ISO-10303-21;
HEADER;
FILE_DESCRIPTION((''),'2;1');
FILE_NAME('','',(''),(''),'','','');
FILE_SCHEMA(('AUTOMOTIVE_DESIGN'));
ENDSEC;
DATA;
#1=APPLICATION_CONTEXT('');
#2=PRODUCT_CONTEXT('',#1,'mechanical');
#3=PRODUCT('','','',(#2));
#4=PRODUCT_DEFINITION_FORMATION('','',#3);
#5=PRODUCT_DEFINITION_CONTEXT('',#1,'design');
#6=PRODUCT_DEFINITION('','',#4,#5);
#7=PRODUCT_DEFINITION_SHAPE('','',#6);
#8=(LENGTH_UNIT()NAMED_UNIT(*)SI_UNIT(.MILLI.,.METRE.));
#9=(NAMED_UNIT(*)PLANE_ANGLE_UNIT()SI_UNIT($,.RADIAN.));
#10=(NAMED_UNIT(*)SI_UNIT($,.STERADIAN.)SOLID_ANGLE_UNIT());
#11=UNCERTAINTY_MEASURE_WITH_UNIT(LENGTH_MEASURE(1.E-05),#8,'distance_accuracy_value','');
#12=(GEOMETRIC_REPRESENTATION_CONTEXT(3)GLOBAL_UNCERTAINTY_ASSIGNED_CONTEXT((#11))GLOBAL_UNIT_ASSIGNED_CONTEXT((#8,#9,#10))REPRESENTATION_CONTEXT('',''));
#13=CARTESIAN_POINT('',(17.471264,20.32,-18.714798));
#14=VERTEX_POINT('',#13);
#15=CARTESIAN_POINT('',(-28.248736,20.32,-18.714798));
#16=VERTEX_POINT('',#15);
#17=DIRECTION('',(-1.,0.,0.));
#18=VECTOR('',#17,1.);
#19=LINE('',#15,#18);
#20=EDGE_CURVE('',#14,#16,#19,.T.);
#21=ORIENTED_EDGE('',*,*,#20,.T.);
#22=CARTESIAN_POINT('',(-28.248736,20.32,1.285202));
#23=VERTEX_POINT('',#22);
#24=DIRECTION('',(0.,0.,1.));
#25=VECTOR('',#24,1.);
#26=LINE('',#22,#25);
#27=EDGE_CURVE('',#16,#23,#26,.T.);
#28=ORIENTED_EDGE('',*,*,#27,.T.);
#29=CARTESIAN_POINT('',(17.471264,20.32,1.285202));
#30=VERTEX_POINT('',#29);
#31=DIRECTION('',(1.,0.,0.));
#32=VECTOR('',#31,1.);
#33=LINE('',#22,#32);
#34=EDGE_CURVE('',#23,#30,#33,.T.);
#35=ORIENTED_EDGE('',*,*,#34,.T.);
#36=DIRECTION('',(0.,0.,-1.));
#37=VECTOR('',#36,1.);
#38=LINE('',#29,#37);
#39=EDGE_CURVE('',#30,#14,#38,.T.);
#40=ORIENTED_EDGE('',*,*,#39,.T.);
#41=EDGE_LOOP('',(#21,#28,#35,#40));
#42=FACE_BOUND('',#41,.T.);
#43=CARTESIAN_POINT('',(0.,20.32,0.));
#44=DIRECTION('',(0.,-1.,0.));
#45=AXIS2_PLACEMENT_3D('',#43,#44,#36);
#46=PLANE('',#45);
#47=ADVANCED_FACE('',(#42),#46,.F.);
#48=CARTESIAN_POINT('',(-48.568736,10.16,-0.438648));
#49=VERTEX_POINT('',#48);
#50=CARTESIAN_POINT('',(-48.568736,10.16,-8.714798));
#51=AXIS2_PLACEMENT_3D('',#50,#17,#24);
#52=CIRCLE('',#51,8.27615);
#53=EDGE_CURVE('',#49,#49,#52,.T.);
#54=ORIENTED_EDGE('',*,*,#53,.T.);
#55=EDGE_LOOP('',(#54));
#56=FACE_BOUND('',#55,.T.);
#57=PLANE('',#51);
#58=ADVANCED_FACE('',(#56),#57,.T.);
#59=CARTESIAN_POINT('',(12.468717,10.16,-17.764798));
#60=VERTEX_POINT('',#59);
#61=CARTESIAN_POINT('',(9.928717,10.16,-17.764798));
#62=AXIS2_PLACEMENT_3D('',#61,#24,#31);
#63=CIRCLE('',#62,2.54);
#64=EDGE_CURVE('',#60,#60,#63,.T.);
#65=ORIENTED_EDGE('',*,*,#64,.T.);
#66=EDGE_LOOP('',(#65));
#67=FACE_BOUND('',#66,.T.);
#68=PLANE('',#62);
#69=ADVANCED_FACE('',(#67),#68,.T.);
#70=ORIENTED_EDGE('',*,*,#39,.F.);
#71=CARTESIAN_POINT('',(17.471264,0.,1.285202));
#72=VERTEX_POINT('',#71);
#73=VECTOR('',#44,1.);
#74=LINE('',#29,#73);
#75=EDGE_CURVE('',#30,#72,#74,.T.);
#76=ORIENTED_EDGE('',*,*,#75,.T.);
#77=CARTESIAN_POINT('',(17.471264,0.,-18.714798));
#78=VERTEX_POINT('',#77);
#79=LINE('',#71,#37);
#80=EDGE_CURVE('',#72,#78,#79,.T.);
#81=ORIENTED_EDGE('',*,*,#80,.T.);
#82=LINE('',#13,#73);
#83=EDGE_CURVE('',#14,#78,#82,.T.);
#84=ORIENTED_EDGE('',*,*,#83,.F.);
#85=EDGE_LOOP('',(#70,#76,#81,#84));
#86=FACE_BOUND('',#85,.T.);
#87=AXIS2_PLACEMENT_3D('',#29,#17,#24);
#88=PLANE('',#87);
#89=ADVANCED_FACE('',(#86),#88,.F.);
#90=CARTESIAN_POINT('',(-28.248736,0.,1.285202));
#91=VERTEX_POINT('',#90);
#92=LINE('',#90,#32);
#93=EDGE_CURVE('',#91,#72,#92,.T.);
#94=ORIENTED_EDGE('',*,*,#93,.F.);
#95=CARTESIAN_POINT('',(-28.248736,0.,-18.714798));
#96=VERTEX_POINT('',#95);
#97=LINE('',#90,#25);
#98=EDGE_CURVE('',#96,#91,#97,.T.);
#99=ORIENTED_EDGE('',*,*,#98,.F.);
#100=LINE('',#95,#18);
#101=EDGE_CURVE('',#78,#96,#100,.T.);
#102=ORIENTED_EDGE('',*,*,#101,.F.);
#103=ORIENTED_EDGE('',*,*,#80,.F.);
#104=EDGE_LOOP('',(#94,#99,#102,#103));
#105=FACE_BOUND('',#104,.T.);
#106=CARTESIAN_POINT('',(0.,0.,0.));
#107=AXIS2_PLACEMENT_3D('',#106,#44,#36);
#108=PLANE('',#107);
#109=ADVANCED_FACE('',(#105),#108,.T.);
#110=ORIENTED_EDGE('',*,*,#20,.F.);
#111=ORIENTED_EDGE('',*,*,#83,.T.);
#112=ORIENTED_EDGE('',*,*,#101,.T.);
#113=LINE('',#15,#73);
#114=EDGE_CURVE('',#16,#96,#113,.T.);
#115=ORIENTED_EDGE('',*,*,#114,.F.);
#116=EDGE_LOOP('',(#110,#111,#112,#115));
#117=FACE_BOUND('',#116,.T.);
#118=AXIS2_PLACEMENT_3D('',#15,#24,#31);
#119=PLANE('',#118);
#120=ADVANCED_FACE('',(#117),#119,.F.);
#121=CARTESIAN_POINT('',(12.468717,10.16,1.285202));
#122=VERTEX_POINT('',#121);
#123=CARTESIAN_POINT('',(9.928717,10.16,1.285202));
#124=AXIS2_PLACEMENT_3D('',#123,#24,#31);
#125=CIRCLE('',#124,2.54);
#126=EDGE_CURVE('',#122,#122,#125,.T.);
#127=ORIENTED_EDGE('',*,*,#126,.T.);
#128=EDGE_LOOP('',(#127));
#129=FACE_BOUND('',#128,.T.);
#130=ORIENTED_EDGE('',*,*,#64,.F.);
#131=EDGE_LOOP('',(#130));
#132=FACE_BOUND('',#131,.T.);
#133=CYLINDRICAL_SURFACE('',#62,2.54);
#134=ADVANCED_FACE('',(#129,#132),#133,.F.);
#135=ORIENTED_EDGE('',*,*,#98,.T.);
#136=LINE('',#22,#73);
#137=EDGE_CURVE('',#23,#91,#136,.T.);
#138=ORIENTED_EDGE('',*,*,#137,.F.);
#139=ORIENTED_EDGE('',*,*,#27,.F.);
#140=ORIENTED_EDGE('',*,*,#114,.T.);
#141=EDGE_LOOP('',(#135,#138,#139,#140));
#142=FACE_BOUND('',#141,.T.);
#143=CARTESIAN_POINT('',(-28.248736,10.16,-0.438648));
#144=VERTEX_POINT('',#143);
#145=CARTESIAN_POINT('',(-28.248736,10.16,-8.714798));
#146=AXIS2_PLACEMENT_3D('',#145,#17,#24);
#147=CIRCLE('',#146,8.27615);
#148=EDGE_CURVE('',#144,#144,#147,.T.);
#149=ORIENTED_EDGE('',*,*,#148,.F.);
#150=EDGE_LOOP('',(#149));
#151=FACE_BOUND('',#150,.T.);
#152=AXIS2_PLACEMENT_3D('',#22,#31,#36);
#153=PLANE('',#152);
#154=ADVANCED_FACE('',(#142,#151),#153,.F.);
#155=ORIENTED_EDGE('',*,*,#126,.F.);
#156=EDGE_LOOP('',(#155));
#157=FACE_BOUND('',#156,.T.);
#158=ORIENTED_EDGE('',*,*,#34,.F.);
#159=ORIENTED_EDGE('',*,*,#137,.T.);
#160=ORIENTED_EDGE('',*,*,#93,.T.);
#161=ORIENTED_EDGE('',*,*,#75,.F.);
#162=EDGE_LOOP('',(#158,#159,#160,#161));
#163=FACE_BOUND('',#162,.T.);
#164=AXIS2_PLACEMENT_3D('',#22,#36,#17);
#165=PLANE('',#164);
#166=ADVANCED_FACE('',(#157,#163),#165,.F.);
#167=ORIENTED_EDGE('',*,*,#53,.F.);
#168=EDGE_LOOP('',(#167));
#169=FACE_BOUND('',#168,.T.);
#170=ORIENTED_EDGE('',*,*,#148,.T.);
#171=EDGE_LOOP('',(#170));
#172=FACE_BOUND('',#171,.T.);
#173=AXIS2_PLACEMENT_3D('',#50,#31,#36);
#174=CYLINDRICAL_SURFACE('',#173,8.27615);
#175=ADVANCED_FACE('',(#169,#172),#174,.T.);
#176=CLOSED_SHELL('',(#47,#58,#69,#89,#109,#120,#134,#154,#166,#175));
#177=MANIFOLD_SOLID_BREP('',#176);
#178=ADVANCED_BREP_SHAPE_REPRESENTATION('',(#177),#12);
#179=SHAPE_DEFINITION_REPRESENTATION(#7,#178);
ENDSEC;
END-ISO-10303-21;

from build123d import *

# Parameters (mm, degrees)
SKETCH1_W           = 45.72
SKETCH1_H           = 20
BOSS_EXTRUDE1_DEPTH = 20.32
SKETCH2_R           = 8.276149927
BOSS_EXTRUDE2_DEPTH = 20.32
SKETCH4_R           = 2.54
CUT_EXTRUDE1_DEPTH  = 19.05


with BuildPart() as part:
    # Sketch1 → Boss-Extrude1 (new body)
    with BuildSketch(Plane(origin=(0, 0, 1.285201824), x_dir=(1, 0, 0), z_dir=(0, 1, 0))):
        with Locations((-5.388735632, 10)):
            Rectangle(SKETCH1_W, SKETCH1_H)
    extrude(amount=BOSS_EXTRUDE1_DEPTH)

    # Sketch2 → Boss-Extrude2 (add)
    with BuildSketch(Plane(origin=(-28.248735632, 0, 1.285201824), x_dir=(0, 0, 1), z_dir=(-1, 0, 0))):
        with Locations((-10, 10.16)):
            Circle(SKETCH2_R)
    extrude(amount=BOSS_EXTRUDE2_DEPTH)

    # Sketch4 → Cut-Extrude1 (cut)
    with BuildSketch(Plane.XY.offset(1.285201824)):
        with Locations((9.928717344, 10.16)):
            Circle(SKETCH4_R)
    extrude(amount=-CUT_EXTRUDE1_DEPTH, mode=Mode.SUBTRACT)


solid = part.part
